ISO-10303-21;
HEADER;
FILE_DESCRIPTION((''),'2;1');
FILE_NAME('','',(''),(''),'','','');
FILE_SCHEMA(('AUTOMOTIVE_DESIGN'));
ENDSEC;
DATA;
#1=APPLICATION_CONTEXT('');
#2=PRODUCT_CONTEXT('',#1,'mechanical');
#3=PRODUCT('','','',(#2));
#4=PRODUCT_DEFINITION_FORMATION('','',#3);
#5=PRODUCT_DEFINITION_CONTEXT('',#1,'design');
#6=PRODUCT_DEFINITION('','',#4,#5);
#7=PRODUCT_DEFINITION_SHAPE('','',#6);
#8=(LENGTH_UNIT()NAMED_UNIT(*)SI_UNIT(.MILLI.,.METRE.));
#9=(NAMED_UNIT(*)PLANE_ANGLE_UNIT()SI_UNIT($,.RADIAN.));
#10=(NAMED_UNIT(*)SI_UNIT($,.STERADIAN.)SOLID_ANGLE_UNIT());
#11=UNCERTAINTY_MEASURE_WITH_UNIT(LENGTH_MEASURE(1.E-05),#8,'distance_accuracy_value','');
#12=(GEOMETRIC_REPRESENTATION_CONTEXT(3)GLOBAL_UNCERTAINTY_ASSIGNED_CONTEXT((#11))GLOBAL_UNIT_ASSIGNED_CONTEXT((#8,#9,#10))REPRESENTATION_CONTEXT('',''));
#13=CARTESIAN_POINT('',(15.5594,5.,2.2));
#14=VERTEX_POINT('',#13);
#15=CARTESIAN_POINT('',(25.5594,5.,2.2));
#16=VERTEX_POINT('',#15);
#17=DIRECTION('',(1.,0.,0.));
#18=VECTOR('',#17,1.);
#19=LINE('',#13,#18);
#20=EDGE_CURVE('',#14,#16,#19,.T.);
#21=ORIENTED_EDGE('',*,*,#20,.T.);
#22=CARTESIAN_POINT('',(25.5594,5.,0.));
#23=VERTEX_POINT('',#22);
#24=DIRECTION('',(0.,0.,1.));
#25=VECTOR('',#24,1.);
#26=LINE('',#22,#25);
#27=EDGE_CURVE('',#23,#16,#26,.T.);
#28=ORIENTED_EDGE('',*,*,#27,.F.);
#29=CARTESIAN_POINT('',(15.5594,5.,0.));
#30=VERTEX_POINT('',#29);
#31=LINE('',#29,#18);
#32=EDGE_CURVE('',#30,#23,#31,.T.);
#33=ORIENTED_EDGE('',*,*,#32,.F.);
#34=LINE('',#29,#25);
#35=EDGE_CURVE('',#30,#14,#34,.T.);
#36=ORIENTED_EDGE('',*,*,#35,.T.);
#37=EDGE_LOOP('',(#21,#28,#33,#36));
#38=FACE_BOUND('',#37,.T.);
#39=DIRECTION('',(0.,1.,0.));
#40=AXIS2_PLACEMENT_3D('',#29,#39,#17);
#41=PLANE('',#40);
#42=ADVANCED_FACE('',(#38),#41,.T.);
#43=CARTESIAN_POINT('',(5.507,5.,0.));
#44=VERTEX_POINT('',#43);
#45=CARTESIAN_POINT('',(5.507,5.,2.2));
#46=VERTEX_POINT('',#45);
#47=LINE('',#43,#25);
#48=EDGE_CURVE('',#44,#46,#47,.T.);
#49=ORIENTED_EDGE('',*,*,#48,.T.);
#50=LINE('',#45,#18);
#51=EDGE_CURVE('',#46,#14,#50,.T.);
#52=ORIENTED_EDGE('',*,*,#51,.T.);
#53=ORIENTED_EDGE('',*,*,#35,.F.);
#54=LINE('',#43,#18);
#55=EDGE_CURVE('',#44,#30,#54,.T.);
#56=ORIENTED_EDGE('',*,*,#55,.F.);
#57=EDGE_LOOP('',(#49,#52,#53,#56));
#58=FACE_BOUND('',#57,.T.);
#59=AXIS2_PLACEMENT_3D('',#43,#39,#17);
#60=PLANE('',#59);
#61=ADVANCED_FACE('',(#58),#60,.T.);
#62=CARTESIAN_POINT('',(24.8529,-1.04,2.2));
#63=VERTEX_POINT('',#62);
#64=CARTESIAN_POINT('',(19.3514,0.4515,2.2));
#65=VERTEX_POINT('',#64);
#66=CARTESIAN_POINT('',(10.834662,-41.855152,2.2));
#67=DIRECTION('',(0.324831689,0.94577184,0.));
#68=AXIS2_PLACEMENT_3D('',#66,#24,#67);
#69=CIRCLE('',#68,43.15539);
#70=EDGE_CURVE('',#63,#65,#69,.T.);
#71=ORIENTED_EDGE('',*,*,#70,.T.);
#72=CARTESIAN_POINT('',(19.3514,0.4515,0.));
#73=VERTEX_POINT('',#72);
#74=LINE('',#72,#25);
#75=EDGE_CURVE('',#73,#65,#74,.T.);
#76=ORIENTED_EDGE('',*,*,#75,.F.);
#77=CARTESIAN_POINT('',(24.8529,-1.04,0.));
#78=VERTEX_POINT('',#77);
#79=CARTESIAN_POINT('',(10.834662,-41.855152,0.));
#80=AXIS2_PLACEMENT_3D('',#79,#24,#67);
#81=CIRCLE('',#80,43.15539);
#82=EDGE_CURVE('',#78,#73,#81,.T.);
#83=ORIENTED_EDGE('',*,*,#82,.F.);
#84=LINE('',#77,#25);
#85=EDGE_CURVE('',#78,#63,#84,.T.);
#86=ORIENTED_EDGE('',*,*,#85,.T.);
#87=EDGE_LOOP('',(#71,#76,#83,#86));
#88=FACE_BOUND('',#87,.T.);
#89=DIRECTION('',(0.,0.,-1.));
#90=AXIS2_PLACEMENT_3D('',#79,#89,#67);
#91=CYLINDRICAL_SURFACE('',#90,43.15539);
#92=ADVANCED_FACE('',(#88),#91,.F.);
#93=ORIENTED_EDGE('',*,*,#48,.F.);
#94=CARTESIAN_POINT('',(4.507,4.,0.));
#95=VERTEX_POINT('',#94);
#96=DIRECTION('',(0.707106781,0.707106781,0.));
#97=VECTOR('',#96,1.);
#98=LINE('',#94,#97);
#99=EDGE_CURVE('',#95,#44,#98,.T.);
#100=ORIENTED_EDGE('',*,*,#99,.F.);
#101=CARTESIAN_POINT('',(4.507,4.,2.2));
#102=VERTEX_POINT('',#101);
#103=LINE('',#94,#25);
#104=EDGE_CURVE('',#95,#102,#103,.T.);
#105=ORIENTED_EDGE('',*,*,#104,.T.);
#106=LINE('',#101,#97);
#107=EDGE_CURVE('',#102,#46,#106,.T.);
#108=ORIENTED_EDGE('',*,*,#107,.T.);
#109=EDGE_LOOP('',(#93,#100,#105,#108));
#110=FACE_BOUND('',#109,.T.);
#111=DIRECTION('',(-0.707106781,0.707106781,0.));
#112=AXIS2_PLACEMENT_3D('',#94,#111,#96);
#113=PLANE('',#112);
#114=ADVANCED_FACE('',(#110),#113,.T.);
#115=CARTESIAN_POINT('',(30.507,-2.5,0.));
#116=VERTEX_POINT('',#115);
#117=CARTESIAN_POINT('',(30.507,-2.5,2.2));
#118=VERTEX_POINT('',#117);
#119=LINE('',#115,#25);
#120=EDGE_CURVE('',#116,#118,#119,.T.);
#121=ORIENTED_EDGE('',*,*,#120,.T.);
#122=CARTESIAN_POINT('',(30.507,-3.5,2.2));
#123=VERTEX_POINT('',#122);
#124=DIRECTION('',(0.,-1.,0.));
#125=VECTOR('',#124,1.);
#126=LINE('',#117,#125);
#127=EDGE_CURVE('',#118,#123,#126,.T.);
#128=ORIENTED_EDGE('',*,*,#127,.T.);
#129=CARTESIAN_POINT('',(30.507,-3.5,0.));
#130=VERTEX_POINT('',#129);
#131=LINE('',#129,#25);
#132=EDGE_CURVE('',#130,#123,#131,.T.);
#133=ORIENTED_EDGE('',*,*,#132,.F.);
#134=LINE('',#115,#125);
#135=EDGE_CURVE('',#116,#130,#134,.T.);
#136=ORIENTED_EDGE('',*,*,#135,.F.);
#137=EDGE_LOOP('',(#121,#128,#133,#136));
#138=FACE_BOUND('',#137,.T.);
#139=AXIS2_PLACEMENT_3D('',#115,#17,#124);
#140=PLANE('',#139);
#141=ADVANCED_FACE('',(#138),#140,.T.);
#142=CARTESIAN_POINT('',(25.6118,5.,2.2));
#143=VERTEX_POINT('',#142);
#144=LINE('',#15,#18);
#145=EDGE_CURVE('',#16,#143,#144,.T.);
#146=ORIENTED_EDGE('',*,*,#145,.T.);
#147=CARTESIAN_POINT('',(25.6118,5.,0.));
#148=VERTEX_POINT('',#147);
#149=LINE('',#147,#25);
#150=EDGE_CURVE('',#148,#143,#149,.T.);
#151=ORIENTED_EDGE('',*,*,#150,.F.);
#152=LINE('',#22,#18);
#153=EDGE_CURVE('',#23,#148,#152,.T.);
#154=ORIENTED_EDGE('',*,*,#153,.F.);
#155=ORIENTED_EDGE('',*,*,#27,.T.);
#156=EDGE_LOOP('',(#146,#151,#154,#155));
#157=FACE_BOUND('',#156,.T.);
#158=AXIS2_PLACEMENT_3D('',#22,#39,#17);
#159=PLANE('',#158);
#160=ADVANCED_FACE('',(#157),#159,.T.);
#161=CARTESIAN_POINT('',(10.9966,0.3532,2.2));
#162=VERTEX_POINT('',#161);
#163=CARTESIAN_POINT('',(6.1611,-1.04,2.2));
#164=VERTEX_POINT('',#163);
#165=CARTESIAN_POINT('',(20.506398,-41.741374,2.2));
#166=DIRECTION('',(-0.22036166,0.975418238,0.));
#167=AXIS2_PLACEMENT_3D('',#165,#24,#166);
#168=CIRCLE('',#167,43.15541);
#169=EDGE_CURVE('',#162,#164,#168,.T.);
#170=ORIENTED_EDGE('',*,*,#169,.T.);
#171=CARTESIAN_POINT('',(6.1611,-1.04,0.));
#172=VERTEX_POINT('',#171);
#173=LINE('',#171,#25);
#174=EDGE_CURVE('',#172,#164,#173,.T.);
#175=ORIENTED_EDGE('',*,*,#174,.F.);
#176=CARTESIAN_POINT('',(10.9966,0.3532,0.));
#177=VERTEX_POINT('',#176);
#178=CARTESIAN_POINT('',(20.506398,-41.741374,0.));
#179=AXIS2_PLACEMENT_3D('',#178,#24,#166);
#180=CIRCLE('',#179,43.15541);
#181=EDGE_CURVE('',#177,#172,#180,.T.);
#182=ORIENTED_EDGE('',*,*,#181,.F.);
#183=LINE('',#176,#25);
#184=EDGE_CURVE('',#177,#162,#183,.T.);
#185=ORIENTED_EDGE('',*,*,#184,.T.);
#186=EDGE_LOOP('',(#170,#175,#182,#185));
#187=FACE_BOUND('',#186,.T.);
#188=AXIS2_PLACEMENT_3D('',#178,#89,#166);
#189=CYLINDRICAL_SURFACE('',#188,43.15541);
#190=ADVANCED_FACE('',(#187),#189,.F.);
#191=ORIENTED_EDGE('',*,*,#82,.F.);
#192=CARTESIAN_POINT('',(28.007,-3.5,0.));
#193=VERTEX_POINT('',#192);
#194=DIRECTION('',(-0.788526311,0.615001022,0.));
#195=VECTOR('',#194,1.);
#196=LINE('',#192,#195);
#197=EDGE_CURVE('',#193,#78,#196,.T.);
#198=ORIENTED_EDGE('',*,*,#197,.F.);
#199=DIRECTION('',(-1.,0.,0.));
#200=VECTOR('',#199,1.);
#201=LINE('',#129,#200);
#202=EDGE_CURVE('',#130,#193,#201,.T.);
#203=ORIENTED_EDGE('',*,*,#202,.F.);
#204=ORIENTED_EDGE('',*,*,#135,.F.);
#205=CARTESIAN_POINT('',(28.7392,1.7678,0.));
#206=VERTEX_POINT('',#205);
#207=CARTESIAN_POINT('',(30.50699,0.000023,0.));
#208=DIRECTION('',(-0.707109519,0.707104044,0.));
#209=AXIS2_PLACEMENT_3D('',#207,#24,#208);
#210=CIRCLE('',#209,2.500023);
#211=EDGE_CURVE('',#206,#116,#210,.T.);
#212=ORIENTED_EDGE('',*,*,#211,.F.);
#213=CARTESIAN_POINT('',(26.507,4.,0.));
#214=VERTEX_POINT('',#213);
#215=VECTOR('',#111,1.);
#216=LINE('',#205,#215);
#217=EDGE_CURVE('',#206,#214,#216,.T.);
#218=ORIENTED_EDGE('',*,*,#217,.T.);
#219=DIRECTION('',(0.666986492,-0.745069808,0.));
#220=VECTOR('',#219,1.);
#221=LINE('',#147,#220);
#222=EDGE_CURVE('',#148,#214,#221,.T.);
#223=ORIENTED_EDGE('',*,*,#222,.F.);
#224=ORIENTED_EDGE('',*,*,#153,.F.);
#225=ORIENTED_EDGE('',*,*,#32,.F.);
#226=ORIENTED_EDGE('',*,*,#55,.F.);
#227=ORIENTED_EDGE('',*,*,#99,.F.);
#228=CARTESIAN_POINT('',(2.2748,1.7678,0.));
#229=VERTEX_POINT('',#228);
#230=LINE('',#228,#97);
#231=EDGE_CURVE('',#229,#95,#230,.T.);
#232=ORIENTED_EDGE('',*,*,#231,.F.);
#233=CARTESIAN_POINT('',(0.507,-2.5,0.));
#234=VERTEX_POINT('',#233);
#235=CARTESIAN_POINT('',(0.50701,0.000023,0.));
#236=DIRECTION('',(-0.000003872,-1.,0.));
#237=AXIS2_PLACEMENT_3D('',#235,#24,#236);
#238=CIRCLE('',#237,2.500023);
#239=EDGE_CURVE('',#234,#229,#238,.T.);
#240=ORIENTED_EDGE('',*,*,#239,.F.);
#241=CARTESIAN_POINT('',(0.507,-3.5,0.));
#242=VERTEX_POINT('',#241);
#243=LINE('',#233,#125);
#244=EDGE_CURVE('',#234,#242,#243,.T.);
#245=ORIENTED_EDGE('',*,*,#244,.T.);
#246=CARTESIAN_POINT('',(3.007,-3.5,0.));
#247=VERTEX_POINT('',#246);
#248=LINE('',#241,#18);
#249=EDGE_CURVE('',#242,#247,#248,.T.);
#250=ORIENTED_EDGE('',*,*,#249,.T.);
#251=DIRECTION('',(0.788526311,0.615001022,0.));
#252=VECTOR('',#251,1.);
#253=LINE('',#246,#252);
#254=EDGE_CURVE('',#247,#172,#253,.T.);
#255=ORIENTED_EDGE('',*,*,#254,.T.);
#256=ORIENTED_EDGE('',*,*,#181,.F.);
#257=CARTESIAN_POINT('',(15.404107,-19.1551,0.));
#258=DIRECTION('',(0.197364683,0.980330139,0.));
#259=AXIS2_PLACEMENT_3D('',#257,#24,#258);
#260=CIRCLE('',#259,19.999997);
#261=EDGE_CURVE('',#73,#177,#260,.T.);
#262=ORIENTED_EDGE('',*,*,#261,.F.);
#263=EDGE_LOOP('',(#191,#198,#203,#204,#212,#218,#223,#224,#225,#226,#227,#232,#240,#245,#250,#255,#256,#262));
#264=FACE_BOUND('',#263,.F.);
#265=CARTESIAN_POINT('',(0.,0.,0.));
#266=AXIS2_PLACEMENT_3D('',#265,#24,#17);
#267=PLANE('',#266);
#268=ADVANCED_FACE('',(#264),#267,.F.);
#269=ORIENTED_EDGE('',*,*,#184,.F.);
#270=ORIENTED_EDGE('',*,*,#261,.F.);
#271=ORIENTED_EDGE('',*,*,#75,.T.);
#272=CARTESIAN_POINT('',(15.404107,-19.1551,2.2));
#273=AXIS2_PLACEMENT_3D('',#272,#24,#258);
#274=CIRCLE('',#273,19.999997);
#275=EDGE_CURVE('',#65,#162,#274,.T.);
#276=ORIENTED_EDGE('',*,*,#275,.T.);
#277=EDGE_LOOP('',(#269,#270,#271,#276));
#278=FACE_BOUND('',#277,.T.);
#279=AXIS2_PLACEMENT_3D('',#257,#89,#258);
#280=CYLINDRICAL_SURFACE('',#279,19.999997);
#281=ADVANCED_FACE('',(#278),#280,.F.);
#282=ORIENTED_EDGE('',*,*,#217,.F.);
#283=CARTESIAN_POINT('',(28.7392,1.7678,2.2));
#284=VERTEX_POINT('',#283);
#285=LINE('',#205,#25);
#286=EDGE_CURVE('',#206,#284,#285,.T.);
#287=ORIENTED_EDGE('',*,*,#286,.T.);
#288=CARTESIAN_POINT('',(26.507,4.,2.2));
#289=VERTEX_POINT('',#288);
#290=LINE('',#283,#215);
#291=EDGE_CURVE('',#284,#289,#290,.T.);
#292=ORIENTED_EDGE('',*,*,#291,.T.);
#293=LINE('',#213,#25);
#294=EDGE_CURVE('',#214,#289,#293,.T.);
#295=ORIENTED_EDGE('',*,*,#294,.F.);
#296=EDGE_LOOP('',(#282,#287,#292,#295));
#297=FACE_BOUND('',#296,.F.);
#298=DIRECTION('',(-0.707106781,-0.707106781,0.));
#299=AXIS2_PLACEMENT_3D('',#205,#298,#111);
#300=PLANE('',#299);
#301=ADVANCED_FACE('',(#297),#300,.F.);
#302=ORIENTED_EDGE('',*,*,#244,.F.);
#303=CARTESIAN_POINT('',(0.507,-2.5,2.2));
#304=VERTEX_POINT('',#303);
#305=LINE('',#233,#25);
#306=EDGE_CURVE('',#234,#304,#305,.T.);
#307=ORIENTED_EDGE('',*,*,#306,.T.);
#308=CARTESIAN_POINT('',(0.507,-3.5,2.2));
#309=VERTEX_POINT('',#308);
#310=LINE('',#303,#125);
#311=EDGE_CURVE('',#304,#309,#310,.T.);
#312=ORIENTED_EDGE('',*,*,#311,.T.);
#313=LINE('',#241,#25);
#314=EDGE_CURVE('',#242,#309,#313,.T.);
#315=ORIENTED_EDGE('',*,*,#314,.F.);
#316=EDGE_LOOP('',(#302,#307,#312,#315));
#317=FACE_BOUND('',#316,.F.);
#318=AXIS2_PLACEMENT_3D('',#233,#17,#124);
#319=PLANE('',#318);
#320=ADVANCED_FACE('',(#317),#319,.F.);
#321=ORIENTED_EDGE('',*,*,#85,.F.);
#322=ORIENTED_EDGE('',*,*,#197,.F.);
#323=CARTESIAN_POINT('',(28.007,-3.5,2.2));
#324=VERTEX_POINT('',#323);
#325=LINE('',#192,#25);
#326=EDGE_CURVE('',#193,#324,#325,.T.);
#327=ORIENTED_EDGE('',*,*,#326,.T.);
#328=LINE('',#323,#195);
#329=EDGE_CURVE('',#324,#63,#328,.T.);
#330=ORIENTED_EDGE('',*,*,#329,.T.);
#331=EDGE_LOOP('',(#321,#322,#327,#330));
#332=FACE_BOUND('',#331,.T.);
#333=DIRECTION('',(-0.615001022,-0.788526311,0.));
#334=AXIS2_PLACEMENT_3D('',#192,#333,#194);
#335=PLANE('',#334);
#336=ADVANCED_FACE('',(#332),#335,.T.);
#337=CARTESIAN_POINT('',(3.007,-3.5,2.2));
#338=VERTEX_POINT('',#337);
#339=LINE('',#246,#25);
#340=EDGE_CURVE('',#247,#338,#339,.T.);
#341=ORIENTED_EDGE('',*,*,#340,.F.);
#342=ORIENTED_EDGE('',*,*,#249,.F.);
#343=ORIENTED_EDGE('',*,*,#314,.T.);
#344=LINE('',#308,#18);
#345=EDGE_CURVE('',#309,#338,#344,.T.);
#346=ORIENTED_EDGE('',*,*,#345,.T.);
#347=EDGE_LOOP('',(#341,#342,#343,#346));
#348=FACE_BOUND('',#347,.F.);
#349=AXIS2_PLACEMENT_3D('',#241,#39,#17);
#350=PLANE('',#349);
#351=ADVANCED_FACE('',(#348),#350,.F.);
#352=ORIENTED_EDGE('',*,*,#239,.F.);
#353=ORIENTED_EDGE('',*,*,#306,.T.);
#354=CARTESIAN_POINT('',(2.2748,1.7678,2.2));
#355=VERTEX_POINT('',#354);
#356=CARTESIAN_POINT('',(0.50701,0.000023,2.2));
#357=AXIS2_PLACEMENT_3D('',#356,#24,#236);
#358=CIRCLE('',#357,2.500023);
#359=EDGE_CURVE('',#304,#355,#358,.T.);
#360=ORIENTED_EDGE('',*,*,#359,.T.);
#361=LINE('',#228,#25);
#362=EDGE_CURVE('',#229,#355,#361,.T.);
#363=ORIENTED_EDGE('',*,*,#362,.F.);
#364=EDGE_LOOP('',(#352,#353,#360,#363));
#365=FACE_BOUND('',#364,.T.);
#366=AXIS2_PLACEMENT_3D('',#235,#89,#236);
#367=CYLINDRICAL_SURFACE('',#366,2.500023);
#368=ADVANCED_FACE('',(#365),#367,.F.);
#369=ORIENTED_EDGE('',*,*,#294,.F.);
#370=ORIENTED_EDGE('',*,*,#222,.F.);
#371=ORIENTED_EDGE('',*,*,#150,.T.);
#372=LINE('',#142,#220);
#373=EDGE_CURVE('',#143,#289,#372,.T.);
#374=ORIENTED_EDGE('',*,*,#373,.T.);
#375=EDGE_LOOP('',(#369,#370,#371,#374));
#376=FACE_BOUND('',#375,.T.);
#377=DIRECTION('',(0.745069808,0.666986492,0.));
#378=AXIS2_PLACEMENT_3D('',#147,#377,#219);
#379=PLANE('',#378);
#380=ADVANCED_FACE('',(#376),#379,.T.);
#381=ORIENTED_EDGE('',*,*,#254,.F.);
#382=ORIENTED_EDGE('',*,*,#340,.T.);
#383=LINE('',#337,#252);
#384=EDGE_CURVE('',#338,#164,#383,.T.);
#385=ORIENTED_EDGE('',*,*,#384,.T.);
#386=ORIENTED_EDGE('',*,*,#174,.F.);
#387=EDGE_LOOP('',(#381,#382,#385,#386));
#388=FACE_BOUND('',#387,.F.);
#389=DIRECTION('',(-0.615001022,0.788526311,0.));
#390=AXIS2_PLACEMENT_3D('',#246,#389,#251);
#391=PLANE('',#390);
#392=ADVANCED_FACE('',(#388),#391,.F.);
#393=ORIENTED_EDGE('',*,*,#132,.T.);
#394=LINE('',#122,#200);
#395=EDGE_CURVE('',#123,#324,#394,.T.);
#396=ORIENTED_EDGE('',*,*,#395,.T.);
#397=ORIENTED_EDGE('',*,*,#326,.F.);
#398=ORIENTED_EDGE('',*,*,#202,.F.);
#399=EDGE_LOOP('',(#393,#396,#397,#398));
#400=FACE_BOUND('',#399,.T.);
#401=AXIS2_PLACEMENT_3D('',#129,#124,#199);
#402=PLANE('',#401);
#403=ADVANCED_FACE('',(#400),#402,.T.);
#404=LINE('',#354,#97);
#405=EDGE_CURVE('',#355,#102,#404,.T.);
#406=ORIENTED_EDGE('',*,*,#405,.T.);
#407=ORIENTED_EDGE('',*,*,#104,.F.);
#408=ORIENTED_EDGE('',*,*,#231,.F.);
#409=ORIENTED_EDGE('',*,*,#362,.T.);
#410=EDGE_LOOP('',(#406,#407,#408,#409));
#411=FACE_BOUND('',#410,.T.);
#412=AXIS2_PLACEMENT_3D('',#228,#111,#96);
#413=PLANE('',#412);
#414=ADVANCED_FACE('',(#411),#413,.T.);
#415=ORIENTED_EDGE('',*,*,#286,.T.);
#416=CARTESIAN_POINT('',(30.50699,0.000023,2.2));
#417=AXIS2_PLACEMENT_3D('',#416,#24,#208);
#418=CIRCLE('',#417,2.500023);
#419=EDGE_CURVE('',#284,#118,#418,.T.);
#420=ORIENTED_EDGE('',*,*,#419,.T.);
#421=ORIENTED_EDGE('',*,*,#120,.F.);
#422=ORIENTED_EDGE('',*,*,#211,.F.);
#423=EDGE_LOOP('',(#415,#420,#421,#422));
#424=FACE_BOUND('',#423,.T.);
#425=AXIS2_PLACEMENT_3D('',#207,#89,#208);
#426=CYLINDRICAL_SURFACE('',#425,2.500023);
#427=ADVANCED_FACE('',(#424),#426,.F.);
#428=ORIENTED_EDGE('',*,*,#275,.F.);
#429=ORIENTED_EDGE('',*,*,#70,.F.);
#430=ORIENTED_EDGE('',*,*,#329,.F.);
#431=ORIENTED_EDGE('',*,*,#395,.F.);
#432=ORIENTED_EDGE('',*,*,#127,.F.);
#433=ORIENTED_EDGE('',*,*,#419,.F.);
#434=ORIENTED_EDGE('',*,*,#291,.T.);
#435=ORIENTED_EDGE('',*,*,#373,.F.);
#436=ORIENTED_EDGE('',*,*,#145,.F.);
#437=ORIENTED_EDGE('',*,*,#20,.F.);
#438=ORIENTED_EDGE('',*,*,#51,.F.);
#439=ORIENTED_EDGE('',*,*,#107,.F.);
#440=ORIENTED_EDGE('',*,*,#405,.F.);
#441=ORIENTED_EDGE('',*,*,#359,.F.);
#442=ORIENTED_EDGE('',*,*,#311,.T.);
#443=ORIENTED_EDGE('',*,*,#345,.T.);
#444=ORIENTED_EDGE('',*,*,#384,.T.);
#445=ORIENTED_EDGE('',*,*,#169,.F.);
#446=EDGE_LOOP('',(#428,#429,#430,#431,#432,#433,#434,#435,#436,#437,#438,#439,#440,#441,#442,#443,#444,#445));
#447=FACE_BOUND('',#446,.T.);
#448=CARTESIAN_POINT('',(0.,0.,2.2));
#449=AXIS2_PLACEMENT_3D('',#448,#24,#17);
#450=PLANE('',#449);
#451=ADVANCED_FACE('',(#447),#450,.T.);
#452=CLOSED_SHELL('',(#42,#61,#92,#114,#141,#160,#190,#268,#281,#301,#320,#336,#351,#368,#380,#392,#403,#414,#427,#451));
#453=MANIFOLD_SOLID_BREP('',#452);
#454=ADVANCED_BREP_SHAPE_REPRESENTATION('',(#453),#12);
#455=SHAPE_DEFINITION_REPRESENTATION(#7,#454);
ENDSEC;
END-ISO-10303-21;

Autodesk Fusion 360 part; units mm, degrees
sketch "Sketch1" plane through (0, 0, 0) normal (0, 0, 1) x (1, 0, 0)
  line L0 (4.507, 4) -> (5.507, 5)
  line L1 (2.2748, 1.7678) -> (4.507, 4)
  line L2 (0.507, -2.5) -> (0.507, -3.5)
  arc A0 (0.507, -2.5) -> (2.2748, 1.7678) centre (0.507, 0) ccw
  line L3 (0.507, -3.5) -> (3.007, -3.5)
  line L4 (3.007, -3.5) -> (6.1611, -1.04)
  line L5 (5.507, 5) -> (15.5594, 5)
  line L6 (25.5594, 5) -> (25.6118, 5)
  arc A1 (10.9966, 0.3532) -> (6.1611, -1.04) centre (20.507, -41.7412) ccw
  line L7 (15.5594, 5) -> (25.6118, 5)
  line L8 (25.6118, 5) -> (26.507, 4)
  arc A2 (24.8529, -1.04) -> (19.3514, 0.4515) centre (10.8341, -41.855) ccw
  line L9 (28.007, -3.5) -> (24.8529, -1.04)
  line L10 (30.507, -3.5) -> (28.007, -3.5)
  line L11 (30.507, -2.5) -> (30.507, -3.5)
  line L12 (15.5594, 1.1297) -> (15.5594, 1.0409)
  arc A3 (28.7392, 1.7678) -> (30.507, -2.5) centre (30.507, 0) ccw
  line L13 (28.7392, 1.7678) -> (26.507, 4)
  arc A4 (19.3514, 0.4515) -> (10.9966, 0.3532) centre (15.4041, -19.1551) ccw
  dimension "d12" = 5
  dimension "d16" = 2.5
  dimension "d17" = 4
  dimension "d30" = 5
  dimension "d31" = 2.5
  dimension "d32" = 4
  dimension "d33" = 20
extrude "Extrude2" add sketch "Sketch1" along normal blind 2.2
